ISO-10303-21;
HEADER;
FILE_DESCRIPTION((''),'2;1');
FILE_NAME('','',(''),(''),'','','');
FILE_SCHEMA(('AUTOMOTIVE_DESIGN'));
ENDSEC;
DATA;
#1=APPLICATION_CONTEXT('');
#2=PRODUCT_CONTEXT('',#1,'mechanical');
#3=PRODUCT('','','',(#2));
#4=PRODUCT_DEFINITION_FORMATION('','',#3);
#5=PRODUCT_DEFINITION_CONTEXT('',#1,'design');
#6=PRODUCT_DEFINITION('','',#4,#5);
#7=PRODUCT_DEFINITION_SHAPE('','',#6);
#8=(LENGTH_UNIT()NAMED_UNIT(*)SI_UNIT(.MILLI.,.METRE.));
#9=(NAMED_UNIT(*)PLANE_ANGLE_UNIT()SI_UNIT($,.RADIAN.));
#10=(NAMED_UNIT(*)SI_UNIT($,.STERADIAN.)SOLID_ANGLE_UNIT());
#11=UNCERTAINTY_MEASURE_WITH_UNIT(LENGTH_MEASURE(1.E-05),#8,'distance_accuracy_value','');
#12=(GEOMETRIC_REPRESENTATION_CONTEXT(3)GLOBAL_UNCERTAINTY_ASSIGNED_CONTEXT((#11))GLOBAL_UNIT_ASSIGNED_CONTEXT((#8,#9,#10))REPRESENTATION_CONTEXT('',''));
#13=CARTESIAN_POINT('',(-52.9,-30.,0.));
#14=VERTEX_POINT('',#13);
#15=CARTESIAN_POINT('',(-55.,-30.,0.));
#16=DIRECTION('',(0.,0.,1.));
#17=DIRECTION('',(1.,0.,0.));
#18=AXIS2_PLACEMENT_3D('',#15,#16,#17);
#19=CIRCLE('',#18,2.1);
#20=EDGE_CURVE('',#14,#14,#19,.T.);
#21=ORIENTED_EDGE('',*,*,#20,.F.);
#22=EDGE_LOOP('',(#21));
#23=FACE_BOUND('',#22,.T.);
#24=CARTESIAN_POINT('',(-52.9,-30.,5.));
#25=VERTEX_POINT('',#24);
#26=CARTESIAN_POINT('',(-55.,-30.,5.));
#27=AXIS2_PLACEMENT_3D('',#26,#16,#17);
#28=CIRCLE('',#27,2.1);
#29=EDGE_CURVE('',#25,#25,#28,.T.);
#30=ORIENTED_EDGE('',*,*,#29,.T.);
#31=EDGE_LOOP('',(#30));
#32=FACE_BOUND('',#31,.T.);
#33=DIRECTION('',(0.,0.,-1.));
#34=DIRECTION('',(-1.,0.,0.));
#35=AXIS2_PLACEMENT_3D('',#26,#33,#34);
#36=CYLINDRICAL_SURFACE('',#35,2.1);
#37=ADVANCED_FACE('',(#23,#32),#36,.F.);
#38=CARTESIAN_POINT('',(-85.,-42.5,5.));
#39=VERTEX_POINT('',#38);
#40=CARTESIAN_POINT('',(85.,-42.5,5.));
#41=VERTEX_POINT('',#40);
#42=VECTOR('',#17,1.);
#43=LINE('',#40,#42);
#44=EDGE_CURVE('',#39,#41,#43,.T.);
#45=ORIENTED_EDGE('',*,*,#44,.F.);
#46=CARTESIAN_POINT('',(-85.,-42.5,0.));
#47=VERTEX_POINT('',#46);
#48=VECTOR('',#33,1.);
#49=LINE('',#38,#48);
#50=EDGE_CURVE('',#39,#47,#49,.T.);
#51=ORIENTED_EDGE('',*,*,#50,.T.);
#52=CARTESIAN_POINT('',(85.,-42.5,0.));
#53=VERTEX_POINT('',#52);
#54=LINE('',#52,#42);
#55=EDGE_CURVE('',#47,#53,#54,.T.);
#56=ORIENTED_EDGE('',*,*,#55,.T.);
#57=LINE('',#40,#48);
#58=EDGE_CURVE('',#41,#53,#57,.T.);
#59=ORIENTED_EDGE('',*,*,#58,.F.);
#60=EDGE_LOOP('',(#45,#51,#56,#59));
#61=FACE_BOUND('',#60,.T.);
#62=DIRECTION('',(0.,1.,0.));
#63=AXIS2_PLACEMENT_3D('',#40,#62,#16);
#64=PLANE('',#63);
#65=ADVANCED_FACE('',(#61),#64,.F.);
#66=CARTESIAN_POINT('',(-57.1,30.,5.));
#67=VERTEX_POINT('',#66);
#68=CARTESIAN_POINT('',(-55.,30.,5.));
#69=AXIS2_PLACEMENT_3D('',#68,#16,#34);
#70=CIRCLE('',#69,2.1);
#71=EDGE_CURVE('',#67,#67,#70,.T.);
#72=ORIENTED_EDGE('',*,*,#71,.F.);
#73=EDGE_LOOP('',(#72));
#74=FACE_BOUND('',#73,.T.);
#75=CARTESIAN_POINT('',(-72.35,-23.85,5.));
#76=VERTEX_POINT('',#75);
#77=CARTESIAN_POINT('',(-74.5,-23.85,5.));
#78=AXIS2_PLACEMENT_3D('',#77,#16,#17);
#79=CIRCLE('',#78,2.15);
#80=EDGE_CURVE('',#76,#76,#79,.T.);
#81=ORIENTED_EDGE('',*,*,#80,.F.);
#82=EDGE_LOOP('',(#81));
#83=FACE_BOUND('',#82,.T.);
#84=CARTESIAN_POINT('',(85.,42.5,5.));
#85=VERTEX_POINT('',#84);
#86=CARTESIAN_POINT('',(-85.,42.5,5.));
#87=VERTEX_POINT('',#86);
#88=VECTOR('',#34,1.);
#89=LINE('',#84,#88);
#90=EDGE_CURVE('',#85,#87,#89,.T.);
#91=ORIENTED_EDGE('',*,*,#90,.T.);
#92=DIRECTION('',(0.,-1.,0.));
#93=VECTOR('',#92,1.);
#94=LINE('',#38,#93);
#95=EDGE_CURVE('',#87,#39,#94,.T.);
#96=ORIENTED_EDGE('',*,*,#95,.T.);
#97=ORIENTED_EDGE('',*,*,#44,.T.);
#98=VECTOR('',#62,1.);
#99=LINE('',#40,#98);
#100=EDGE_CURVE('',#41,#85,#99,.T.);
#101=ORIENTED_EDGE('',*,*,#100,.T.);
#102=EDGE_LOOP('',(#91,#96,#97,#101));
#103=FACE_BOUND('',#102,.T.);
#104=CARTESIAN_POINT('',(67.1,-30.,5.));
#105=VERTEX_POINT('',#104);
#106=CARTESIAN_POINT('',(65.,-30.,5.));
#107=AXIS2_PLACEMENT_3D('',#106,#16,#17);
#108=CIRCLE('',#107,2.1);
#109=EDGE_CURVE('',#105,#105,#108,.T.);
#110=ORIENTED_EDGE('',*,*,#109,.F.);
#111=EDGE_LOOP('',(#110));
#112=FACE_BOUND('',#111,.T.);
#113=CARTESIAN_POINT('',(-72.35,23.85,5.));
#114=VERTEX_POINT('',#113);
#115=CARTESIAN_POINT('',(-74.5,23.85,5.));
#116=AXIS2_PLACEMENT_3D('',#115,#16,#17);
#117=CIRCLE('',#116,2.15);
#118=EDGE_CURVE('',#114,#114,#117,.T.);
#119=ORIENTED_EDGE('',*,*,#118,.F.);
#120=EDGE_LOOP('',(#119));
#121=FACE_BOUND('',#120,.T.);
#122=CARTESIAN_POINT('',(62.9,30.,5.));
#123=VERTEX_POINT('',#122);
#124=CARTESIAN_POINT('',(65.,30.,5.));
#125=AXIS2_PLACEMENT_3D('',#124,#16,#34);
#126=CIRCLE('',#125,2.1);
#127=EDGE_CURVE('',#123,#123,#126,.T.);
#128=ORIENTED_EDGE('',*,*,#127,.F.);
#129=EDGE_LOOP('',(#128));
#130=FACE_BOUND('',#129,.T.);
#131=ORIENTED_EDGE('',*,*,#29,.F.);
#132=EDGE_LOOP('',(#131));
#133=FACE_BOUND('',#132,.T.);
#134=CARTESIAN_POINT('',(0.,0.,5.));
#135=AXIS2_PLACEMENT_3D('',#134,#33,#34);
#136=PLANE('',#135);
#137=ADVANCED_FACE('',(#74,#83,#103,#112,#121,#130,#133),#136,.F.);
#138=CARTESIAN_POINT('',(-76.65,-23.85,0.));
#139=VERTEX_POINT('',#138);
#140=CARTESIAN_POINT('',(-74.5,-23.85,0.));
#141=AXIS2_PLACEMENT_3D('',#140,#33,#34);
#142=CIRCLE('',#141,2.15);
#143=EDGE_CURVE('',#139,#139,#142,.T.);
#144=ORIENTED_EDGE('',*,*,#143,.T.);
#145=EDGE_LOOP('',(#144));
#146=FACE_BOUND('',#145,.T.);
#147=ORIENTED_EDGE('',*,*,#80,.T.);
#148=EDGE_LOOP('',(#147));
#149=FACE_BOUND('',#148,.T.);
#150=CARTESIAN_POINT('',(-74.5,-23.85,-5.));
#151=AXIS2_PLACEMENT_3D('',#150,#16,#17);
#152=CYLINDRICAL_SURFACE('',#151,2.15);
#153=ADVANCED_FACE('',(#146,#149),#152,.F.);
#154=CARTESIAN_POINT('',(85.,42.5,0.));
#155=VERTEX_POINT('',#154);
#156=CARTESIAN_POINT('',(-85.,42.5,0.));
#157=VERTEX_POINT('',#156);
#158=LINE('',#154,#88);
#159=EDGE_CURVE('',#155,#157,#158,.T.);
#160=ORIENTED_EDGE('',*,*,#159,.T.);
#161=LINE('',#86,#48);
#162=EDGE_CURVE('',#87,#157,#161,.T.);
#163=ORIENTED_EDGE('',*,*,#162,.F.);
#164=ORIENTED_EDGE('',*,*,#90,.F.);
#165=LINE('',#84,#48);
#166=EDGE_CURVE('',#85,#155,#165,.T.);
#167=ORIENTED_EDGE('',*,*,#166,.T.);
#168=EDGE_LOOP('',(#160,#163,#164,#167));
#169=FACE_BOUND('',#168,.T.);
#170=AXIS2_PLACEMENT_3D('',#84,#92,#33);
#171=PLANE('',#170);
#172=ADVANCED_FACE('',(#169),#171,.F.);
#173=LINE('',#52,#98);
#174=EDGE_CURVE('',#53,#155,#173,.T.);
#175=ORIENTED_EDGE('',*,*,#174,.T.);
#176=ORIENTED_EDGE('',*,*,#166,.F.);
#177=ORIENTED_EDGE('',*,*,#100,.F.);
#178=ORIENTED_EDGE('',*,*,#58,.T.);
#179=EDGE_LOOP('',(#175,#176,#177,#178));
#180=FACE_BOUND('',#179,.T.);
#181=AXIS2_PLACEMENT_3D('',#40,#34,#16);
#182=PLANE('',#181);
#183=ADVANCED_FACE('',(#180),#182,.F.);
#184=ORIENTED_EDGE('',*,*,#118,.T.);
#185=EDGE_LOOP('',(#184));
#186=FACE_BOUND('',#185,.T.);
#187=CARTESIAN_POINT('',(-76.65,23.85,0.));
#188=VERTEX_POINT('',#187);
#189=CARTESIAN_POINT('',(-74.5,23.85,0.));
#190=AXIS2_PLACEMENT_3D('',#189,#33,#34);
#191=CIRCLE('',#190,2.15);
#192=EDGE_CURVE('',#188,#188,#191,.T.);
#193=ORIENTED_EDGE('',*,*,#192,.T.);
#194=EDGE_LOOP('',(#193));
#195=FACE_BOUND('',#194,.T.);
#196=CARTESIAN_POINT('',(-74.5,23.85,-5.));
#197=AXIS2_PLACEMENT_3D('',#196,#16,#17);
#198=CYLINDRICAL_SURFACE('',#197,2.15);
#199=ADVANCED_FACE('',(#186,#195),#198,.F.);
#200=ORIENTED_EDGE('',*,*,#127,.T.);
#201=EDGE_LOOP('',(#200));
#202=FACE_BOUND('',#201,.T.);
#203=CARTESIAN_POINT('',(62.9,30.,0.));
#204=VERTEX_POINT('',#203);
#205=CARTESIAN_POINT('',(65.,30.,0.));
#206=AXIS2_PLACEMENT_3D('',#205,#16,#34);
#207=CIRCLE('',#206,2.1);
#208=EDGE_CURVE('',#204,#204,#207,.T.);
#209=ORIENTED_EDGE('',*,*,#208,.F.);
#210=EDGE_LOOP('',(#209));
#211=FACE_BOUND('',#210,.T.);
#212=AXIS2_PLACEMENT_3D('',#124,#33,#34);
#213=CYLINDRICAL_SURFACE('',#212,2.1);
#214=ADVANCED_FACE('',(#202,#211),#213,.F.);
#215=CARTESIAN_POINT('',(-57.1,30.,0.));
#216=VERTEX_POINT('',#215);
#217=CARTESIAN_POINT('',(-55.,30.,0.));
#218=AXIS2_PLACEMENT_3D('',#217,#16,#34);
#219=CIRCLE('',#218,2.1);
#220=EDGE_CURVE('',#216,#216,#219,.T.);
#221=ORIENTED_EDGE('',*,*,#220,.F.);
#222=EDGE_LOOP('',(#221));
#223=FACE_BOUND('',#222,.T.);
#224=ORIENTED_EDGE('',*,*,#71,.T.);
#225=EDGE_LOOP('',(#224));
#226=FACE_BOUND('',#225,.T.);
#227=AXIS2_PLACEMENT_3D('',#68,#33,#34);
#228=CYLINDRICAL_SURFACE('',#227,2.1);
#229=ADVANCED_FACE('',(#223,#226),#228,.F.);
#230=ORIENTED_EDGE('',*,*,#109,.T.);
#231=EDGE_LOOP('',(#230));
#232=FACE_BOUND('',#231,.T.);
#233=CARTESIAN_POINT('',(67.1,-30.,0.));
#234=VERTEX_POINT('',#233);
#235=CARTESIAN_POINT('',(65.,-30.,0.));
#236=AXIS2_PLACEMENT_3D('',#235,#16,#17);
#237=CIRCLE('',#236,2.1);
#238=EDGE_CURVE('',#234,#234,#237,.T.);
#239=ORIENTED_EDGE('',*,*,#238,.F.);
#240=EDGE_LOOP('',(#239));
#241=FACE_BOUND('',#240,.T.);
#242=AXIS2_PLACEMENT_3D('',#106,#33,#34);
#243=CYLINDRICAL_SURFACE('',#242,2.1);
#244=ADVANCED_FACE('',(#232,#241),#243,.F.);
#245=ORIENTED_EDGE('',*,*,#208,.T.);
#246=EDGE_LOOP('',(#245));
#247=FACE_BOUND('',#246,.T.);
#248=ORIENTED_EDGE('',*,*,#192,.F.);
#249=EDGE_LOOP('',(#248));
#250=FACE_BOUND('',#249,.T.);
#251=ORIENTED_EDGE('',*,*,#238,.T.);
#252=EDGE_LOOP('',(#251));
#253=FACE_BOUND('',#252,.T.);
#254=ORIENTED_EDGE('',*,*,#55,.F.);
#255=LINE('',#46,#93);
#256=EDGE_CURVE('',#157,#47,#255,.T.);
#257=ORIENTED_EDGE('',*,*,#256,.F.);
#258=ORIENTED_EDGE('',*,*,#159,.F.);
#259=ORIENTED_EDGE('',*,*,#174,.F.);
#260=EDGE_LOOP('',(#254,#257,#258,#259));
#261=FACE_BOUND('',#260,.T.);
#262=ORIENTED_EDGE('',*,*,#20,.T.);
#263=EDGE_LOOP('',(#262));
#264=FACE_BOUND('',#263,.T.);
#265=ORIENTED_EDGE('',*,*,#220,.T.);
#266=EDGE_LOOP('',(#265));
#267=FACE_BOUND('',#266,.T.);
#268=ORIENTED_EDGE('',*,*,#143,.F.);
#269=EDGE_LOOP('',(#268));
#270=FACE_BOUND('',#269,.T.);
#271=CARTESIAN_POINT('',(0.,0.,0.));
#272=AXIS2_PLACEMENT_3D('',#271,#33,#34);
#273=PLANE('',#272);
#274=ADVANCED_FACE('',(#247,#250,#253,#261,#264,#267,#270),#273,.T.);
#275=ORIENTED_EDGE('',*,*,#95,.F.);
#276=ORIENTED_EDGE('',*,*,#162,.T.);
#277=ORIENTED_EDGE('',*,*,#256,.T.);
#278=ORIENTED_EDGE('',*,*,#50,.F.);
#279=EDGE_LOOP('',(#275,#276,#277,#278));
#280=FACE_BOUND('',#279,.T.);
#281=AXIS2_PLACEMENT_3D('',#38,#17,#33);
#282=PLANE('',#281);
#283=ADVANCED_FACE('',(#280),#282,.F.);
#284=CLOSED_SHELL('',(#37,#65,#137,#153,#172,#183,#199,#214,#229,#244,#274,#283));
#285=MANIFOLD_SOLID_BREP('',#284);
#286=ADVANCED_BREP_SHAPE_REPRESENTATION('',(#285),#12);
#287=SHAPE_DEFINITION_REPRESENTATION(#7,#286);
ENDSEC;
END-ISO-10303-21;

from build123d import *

# Parameters (mm, degrees)
SKETCH1_W           = 85
SKETCH1_H           = 170
SKETCH1_R           = 2.1
BOSS_EXTRUDE1_DEPTH = 5
SKETCH2_R           = 2.15
CUT_EXTRUDE1_DEPTH  = 10
SKETCH3_R           = 2.15
CUT_EXTRUDE2_DEPTH  = 10


with BuildPart() as part:
    # Sketch1 → Boss-Extrude1 (new body)
    with BuildSketch(Plane(origin=(0, 0, 0), x_dir=(0, 1, 0), z_dir=(0, 0, 1))):
        Rectangle(SKETCH1_W, SKETCH1_H)
        with Locations(Location((-30, 55, 0), (0, 0, 270))):
            Circle(SKETCH1_R, mode=Mode.SUBTRACT)
        with Locations(Location((-30, -65, 0), (0, 0, 270))):
            Circle(SKETCH1_R, mode=Mode.SUBTRACT)
        with Locations(Location((30, -65, 0), (0, 0, 90))):
            Circle(SKETCH1_R, mode=Mode.SUBTRACT)
        with Locations(Location((30, 55, 0), (0, 0, 90))):
            Circle(SKETCH1_R, mode=Mode.SUBTRACT)
    extrude(amount=BOSS_EXTRUDE1_DEPTH)

    # Sketch2 → Cut-Extrude1 (cut)
    with BuildSketch(Plane(origin=(0, 0, 5), x_dir=(0, -1, 0), z_dir=(0, 0, 1))):
        with Locations(Location((23.85, -74.5, 0), (0, 0, 90))):
            Circle(SKETCH2_R)
    extrude(amount=-CUT_EXTRUDE1_DEPTH, mode=Mode.SUBTRACT)

    # Sketch3 → Cut-Extrude2 (cut)
    with BuildSketch(Plane(origin=(0, 0, 5), x_dir=(0, -1, 0), z_dir=(0, 0, 1))):
        with Locations(Location((-23.85, -74.5, 0), (0, 0, 90))):
            Circle(SKETCH3_R)
    extrude(amount=-CUT_EXTRUDE2_DEPTH, mode=Mode.SUBTRACT)


solid = part.part
